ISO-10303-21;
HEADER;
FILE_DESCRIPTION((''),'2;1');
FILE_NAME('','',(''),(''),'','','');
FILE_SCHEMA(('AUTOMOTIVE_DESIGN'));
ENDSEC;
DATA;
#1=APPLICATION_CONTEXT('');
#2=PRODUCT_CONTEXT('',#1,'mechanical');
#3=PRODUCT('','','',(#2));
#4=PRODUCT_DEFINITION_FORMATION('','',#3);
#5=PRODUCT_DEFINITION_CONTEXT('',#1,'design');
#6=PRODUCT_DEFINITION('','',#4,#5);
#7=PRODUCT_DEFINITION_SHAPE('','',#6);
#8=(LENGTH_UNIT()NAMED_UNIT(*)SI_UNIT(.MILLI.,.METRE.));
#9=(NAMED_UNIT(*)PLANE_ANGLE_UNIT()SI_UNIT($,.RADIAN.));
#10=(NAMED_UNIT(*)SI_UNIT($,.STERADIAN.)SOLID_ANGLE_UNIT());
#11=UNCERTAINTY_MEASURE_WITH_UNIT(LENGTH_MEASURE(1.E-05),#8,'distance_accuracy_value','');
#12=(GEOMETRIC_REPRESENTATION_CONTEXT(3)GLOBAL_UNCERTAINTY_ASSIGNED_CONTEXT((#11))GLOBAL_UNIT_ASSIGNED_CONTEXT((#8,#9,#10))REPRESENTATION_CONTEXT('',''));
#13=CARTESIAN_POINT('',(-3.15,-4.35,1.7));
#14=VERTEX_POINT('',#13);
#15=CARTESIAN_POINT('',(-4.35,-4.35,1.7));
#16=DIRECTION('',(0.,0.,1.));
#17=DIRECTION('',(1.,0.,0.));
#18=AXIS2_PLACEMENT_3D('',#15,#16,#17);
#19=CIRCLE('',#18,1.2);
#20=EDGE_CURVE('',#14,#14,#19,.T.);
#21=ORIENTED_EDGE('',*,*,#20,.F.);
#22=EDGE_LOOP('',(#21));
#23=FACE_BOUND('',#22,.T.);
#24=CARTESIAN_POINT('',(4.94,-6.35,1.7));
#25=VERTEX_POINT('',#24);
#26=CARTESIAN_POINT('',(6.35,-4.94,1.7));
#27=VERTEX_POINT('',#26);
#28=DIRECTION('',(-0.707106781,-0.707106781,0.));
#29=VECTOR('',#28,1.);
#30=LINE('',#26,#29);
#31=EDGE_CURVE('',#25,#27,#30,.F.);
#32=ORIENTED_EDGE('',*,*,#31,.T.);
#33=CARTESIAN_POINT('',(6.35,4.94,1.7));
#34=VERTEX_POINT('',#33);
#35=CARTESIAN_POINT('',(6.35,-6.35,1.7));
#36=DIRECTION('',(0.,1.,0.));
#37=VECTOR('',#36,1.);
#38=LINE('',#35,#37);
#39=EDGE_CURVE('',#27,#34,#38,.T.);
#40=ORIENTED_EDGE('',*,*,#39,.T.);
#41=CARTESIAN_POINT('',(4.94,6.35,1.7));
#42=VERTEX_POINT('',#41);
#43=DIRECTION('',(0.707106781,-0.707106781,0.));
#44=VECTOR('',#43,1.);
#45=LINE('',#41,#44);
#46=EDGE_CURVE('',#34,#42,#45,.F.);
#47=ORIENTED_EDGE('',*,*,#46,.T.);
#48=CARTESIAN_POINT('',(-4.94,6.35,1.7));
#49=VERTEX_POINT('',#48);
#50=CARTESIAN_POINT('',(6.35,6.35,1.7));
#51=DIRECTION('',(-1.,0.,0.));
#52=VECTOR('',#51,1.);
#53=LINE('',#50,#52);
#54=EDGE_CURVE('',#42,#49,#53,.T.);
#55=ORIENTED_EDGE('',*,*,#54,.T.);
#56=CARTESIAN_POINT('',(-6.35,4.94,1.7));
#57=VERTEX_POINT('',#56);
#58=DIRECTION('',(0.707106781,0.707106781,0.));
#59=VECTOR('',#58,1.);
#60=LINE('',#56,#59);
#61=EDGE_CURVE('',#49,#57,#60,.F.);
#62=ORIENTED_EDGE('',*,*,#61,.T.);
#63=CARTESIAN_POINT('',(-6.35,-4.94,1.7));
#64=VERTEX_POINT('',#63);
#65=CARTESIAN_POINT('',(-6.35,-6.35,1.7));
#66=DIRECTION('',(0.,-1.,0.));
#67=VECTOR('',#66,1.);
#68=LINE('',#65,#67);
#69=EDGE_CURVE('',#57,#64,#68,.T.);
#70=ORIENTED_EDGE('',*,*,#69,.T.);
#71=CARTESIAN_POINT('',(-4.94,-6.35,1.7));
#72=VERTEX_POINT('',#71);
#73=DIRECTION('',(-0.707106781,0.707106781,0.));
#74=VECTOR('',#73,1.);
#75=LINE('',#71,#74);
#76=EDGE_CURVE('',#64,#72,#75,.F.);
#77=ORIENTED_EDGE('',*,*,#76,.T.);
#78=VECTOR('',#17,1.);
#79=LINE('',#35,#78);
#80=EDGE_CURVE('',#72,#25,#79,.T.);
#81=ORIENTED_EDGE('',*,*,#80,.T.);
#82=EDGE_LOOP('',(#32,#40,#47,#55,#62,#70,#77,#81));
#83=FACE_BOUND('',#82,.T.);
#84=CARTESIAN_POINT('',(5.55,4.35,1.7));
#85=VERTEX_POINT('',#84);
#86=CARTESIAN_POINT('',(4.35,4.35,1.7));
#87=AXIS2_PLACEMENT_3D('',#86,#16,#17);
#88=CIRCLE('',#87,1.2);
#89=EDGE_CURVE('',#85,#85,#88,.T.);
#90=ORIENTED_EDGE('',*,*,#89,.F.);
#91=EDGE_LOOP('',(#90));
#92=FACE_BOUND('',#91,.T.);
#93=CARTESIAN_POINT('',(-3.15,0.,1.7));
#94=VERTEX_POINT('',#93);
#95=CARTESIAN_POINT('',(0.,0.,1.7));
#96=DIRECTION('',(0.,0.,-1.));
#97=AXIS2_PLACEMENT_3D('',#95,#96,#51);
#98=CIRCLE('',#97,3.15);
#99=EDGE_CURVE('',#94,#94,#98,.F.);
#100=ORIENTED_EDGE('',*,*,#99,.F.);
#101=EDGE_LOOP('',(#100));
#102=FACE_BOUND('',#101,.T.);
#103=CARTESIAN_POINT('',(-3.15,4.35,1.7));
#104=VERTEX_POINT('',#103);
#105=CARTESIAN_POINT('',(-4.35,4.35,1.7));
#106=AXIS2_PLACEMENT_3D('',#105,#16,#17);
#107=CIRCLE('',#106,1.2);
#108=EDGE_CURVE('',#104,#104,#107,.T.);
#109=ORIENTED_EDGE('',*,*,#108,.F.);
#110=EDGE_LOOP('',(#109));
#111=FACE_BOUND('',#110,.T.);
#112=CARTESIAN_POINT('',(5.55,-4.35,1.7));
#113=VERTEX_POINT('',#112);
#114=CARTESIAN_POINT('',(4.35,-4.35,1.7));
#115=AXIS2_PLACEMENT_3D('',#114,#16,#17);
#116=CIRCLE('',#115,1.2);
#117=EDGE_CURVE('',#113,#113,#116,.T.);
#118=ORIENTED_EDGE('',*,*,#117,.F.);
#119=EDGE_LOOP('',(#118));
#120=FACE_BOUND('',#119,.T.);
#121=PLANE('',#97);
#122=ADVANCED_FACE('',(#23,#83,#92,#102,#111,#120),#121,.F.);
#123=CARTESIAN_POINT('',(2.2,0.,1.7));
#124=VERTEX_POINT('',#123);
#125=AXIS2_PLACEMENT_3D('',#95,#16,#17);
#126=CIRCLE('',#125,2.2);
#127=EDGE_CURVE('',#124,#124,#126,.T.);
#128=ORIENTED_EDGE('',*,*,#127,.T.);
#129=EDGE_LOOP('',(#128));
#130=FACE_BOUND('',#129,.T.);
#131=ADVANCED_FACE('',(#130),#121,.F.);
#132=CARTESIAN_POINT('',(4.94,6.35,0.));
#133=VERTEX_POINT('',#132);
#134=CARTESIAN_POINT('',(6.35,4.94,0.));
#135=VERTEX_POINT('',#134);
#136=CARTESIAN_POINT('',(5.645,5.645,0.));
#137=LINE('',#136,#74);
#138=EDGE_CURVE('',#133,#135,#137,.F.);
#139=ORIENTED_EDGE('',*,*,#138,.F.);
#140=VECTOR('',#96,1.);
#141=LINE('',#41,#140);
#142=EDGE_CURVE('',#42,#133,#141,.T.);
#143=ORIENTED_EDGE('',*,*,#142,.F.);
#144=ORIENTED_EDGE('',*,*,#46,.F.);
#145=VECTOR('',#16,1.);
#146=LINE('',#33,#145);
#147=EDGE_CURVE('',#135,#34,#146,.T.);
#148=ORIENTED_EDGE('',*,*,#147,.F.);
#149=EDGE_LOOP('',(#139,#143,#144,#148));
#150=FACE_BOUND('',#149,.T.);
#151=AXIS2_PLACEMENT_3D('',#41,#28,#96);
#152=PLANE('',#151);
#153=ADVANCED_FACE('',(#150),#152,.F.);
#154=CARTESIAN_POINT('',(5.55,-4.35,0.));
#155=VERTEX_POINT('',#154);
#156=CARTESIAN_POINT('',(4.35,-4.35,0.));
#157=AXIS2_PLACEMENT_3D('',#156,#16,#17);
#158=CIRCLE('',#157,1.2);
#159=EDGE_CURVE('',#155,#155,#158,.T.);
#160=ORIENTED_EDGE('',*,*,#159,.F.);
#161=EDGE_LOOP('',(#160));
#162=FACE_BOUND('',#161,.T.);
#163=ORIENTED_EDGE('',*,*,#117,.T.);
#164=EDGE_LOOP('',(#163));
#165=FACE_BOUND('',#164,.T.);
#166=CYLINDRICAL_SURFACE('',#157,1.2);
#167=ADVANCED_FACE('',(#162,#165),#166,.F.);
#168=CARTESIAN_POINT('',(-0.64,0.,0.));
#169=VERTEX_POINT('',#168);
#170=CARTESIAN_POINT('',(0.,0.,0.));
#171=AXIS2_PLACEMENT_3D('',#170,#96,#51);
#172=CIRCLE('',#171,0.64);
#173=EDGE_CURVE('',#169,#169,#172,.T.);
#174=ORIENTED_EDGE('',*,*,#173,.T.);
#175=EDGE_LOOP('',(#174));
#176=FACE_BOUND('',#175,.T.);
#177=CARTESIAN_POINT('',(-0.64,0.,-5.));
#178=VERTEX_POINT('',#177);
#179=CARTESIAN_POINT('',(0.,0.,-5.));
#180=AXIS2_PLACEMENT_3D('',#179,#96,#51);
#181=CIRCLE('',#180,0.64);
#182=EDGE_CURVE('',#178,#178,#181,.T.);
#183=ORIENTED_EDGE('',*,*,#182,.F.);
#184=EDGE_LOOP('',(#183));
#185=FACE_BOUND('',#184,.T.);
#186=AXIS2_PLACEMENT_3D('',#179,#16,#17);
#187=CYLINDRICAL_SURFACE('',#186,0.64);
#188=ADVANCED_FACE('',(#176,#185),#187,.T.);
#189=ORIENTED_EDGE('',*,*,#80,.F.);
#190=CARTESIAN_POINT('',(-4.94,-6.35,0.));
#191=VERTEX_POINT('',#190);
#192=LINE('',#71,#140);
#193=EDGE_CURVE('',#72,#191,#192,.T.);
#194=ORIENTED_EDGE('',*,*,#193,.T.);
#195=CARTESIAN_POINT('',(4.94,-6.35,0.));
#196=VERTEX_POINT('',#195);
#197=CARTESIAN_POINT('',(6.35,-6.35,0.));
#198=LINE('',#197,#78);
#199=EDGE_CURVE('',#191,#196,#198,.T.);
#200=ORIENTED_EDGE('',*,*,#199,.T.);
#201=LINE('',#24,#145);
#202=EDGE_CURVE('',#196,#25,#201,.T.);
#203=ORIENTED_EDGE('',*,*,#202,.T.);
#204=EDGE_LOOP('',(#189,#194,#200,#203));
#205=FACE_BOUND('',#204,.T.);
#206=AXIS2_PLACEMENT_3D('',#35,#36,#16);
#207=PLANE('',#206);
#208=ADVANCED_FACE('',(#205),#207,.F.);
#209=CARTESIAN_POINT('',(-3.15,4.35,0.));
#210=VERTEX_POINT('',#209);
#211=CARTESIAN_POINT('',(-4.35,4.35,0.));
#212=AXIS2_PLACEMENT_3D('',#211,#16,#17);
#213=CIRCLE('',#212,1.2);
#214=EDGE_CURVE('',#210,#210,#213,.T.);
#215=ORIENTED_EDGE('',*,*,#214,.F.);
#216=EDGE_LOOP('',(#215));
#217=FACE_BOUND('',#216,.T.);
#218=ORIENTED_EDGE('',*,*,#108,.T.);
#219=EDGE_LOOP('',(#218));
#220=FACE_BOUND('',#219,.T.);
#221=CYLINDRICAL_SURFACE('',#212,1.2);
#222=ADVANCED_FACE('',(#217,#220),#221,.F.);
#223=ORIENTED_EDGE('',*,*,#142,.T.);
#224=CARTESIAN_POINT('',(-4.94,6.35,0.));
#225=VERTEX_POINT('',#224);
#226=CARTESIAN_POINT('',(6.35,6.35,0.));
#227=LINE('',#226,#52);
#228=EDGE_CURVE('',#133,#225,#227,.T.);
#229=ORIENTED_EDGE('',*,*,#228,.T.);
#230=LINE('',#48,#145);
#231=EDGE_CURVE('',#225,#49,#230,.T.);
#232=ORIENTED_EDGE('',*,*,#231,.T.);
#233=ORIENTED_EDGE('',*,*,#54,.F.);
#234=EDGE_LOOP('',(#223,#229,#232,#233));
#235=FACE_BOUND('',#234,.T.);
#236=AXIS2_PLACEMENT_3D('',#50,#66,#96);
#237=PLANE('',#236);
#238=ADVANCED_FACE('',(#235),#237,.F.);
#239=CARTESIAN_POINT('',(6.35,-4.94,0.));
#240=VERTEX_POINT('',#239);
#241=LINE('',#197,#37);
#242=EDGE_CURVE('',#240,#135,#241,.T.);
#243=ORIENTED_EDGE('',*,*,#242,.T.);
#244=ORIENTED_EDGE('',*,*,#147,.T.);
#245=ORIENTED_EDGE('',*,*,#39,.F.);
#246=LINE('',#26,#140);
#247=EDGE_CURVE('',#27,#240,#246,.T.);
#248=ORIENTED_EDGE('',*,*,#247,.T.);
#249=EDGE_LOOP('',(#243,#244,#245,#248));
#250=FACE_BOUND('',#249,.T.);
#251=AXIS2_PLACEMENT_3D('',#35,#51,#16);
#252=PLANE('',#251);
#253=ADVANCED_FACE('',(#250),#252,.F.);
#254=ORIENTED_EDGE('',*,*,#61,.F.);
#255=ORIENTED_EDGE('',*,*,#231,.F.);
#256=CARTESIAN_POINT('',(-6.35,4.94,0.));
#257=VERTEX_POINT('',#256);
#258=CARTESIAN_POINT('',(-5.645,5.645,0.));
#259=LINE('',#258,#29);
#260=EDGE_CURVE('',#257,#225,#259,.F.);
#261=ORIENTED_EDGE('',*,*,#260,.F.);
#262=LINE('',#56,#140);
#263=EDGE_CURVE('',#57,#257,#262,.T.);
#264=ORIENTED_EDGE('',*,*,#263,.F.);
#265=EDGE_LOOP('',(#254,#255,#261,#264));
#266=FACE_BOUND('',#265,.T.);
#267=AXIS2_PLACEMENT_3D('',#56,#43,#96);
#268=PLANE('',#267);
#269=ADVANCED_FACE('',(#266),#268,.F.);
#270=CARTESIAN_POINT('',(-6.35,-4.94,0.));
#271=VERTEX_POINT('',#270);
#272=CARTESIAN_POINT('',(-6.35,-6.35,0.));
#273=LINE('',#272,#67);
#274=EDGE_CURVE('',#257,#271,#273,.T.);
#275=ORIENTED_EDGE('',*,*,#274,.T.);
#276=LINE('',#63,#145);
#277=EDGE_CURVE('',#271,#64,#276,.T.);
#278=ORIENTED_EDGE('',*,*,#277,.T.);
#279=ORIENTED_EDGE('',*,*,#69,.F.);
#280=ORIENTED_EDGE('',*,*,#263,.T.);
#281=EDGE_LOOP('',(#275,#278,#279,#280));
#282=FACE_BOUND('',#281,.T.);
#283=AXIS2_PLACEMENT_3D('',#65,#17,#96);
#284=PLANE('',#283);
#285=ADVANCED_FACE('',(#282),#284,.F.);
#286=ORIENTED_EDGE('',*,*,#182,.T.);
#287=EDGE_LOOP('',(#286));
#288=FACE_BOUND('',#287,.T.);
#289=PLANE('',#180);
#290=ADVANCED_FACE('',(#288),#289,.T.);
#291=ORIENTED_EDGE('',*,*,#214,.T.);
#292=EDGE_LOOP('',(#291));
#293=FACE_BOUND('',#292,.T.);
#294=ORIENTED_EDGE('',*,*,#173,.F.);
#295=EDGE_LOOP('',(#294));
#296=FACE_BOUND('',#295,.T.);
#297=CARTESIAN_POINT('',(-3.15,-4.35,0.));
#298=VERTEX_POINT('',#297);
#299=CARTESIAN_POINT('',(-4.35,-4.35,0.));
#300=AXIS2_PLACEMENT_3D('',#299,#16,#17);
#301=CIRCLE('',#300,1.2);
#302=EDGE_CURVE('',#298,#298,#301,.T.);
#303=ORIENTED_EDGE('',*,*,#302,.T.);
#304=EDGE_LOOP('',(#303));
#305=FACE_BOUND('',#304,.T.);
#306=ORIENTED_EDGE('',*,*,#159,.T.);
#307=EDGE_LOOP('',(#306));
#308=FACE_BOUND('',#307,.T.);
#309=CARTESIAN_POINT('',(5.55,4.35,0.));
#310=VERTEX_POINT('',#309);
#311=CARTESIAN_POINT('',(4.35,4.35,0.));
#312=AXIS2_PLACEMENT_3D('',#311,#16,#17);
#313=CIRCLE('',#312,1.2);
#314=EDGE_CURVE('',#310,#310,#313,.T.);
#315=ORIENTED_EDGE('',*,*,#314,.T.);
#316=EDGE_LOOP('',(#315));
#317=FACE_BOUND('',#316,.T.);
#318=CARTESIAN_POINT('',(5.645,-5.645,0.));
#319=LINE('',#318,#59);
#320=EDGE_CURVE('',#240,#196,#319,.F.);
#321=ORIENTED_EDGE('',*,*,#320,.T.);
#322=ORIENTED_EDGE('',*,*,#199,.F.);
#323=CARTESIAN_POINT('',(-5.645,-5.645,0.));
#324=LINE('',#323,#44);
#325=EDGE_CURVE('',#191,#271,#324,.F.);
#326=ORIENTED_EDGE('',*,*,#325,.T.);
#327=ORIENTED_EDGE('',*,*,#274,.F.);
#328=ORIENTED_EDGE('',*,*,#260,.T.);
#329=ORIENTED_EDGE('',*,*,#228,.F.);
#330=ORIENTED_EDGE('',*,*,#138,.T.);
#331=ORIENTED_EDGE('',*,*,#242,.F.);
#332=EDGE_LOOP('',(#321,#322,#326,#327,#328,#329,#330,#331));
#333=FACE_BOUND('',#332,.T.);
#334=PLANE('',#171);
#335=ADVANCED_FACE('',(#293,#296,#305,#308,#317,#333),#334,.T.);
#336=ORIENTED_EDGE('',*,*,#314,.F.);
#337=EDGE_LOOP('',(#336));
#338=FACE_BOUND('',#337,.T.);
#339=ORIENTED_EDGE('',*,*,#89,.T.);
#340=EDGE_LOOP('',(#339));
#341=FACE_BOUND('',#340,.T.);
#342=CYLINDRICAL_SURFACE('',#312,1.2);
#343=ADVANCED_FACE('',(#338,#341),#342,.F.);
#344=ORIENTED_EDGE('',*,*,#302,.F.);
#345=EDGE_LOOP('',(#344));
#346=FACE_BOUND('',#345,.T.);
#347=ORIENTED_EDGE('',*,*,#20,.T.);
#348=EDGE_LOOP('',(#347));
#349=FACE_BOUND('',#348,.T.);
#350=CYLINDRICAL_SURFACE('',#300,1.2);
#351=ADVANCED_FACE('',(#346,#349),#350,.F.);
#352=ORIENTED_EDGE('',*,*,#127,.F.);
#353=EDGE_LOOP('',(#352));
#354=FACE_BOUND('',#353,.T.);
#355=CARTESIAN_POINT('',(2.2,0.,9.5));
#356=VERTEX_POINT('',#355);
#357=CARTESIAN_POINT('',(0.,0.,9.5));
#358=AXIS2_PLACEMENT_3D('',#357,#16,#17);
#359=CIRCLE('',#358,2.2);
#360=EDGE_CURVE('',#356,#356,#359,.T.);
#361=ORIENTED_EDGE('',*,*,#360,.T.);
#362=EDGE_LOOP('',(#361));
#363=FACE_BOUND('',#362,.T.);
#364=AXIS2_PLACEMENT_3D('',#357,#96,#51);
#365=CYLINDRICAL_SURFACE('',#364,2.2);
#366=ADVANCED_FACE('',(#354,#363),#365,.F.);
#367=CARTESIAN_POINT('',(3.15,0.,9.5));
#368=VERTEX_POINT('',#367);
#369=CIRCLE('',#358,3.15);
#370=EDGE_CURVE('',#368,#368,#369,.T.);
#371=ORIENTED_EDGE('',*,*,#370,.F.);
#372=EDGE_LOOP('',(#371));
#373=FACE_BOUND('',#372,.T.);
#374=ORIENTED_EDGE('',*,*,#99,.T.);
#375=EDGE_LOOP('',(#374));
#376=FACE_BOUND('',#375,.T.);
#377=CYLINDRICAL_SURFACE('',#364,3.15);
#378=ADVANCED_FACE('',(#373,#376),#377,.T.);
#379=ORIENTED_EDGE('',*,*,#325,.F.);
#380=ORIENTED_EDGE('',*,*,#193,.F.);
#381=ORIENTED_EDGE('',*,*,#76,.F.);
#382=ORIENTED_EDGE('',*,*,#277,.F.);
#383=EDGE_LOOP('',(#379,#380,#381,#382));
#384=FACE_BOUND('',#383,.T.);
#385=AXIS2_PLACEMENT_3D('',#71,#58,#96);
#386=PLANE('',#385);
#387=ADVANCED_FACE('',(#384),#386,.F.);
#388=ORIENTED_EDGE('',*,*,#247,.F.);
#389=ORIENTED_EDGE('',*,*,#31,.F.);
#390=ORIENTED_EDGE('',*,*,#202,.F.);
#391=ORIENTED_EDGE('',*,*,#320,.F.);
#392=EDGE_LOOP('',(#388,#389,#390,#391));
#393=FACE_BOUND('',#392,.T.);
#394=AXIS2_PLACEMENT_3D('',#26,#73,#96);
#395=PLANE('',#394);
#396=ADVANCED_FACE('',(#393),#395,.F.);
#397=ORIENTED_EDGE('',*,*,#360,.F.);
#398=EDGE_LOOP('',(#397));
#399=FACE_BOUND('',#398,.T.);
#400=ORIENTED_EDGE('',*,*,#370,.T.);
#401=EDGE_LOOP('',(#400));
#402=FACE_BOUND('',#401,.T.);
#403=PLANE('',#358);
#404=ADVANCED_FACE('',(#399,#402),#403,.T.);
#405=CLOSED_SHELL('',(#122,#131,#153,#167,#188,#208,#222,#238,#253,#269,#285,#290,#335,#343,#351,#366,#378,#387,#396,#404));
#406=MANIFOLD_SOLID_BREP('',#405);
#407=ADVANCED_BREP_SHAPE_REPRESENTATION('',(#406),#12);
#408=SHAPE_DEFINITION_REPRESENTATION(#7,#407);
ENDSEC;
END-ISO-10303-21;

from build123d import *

# Parameters (mm, degrees)
SKETCH1_W           = 12.7
SKETCH1_H           = 12.7
BOSS_EXTRUDE1_DEPTH = 1.7
CHAMFER3_SIZE       = 1.41
SKETCH2_R           = 1.2
CUT_EXTRUDE2_DEPTH  = 2.7
SKETCH3_R           = 3.15
SKETCH3_R_2         = 2.2
BOSS_EXTRUDE2_DEPTH = 7.8
SKETCH4_R           = 0.64
BOSS_EXTRUDE3_DEPTH = 5


with BuildPart() as part:
    # Sketch1 → Boss-Extrude1 (new body)
    with BuildSketch(Plane(origin=(0, 0, 0), x_dir=(0, 1, 0), z_dir=(0, 0, 1))):
        Rectangle(SKETCH1_W, SKETCH1_H)
    extrude(amount=BOSS_EXTRUDE1_DEPTH)

    # Chamfer3
    chamfer3_edges = [part.edges().sort_by_distance(p)[0] for p in [
        (6.35, 6.35, 0.85),
        (6.35, -6.35, 0.85),
        (-6.35, -6.35, 0.85),
        (-6.35, 6.35, 0.85),
    ]]
    chamfer(chamfer3_edges, length=CHAMFER3_SIZE)

    # Sketch2 → Cut-Extrude2 (cut, through all)
    with BuildSketch(Plane.XY.offset(1.7)):
        with Locations((-4.35, 4.35)):
            Circle(SKETCH2_R)
        with Locations((-4.35, -4.35)):
            Circle(SKETCH2_R)
        with Locations((4.35, -4.35)):
            Circle(SKETCH2_R)
        with Locations((4.35, 4.35)):
            Circle(SKETCH2_R)
    extrude(amount=-CUT_EXTRUDE2_DEPTH, mode=Mode.SUBTRACT)

    # Sketch3 → Boss-Extrude2 (add)
    with BuildSketch(Plane.XY.offset(1.7)):
        Circle(SKETCH3_R)
        Circle(SKETCH3_R_2, mode=Mode.SUBTRACT)
    extrude(amount=BOSS_EXTRUDE2_DEPTH)

    # Sketch4 → Boss-Extrude3 (add)
    with BuildSketch(Plane(origin=(0, 0, 0), x_dir=(1, 0, 0), z_dir=(0, 0, -1))):
        Circle(SKETCH4_R)
    extrude(amount=BOSS_EXTRUDE3_DEPTH)


solid = part.part
